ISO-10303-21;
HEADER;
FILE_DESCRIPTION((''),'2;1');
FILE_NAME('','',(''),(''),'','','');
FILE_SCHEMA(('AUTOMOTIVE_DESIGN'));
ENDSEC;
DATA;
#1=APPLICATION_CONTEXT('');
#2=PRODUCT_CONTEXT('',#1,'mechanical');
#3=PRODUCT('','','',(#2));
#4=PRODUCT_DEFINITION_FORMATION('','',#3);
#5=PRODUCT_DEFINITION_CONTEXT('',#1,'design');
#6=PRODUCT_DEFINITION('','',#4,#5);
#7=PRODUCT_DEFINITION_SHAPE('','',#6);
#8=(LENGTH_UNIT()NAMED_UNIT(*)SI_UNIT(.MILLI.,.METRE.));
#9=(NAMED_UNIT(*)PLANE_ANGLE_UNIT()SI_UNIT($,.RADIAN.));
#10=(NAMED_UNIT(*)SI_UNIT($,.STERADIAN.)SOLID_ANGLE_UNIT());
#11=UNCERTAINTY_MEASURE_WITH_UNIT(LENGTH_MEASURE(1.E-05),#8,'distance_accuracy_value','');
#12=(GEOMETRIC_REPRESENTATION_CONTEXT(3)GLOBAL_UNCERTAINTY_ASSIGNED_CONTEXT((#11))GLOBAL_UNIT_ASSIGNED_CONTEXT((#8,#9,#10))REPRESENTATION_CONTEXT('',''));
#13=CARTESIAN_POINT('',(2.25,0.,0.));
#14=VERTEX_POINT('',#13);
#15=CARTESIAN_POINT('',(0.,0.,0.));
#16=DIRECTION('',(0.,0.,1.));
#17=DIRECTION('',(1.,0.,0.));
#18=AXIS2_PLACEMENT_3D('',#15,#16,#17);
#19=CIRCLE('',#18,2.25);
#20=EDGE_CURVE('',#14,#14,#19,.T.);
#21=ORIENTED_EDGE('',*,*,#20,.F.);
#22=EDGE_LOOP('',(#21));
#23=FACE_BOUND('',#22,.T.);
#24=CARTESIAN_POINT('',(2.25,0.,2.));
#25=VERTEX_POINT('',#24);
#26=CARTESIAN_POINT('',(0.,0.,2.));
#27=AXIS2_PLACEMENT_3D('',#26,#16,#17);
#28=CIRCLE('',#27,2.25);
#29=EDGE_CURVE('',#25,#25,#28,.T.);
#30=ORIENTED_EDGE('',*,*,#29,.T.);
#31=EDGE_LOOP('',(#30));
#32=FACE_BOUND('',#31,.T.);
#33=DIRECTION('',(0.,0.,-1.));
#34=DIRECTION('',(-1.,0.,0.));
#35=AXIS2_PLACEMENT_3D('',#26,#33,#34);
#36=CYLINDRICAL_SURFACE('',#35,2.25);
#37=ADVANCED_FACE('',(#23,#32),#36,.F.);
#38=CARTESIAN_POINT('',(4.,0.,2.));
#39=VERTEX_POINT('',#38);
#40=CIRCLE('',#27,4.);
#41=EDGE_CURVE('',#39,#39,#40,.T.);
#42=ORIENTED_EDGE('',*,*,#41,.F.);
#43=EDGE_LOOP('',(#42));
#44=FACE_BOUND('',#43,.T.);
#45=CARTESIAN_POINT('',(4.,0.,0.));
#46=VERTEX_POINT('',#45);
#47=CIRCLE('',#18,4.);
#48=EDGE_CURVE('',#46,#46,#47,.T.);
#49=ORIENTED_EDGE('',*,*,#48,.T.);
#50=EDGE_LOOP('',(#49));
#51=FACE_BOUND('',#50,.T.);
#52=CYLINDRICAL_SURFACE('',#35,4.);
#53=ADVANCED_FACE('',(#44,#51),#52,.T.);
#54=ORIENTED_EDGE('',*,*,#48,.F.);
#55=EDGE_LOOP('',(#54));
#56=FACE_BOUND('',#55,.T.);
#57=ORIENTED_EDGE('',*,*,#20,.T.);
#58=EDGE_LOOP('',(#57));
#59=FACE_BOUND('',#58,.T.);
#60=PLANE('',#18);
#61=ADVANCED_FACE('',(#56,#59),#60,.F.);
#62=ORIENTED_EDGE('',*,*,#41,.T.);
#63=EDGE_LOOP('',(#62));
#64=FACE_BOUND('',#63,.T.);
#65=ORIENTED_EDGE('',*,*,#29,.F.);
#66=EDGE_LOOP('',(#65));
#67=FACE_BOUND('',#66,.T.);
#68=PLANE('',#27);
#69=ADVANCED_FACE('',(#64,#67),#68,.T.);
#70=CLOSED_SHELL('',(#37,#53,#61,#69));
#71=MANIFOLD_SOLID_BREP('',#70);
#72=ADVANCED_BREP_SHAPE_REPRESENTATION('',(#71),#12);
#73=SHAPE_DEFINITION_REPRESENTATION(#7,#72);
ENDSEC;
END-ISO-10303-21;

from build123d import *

# Parameters (mm, degrees)
SKETCH_1_R      = 4
SKETCH_1_R_2    = 2.25
EXTRUDE_1_DEPTH = 2


with BuildPart() as part:
    # 草图1 → 凸台-拉伸1 (new body)
    with BuildSketch(Plane.XY):
        Circle(SKETCH_1_R)
        Circle(SKETCH_1_R_2, mode=Mode.SUBTRACT)
    extrude(amount=EXTRUDE_1_DEPTH)


solid = part.part
